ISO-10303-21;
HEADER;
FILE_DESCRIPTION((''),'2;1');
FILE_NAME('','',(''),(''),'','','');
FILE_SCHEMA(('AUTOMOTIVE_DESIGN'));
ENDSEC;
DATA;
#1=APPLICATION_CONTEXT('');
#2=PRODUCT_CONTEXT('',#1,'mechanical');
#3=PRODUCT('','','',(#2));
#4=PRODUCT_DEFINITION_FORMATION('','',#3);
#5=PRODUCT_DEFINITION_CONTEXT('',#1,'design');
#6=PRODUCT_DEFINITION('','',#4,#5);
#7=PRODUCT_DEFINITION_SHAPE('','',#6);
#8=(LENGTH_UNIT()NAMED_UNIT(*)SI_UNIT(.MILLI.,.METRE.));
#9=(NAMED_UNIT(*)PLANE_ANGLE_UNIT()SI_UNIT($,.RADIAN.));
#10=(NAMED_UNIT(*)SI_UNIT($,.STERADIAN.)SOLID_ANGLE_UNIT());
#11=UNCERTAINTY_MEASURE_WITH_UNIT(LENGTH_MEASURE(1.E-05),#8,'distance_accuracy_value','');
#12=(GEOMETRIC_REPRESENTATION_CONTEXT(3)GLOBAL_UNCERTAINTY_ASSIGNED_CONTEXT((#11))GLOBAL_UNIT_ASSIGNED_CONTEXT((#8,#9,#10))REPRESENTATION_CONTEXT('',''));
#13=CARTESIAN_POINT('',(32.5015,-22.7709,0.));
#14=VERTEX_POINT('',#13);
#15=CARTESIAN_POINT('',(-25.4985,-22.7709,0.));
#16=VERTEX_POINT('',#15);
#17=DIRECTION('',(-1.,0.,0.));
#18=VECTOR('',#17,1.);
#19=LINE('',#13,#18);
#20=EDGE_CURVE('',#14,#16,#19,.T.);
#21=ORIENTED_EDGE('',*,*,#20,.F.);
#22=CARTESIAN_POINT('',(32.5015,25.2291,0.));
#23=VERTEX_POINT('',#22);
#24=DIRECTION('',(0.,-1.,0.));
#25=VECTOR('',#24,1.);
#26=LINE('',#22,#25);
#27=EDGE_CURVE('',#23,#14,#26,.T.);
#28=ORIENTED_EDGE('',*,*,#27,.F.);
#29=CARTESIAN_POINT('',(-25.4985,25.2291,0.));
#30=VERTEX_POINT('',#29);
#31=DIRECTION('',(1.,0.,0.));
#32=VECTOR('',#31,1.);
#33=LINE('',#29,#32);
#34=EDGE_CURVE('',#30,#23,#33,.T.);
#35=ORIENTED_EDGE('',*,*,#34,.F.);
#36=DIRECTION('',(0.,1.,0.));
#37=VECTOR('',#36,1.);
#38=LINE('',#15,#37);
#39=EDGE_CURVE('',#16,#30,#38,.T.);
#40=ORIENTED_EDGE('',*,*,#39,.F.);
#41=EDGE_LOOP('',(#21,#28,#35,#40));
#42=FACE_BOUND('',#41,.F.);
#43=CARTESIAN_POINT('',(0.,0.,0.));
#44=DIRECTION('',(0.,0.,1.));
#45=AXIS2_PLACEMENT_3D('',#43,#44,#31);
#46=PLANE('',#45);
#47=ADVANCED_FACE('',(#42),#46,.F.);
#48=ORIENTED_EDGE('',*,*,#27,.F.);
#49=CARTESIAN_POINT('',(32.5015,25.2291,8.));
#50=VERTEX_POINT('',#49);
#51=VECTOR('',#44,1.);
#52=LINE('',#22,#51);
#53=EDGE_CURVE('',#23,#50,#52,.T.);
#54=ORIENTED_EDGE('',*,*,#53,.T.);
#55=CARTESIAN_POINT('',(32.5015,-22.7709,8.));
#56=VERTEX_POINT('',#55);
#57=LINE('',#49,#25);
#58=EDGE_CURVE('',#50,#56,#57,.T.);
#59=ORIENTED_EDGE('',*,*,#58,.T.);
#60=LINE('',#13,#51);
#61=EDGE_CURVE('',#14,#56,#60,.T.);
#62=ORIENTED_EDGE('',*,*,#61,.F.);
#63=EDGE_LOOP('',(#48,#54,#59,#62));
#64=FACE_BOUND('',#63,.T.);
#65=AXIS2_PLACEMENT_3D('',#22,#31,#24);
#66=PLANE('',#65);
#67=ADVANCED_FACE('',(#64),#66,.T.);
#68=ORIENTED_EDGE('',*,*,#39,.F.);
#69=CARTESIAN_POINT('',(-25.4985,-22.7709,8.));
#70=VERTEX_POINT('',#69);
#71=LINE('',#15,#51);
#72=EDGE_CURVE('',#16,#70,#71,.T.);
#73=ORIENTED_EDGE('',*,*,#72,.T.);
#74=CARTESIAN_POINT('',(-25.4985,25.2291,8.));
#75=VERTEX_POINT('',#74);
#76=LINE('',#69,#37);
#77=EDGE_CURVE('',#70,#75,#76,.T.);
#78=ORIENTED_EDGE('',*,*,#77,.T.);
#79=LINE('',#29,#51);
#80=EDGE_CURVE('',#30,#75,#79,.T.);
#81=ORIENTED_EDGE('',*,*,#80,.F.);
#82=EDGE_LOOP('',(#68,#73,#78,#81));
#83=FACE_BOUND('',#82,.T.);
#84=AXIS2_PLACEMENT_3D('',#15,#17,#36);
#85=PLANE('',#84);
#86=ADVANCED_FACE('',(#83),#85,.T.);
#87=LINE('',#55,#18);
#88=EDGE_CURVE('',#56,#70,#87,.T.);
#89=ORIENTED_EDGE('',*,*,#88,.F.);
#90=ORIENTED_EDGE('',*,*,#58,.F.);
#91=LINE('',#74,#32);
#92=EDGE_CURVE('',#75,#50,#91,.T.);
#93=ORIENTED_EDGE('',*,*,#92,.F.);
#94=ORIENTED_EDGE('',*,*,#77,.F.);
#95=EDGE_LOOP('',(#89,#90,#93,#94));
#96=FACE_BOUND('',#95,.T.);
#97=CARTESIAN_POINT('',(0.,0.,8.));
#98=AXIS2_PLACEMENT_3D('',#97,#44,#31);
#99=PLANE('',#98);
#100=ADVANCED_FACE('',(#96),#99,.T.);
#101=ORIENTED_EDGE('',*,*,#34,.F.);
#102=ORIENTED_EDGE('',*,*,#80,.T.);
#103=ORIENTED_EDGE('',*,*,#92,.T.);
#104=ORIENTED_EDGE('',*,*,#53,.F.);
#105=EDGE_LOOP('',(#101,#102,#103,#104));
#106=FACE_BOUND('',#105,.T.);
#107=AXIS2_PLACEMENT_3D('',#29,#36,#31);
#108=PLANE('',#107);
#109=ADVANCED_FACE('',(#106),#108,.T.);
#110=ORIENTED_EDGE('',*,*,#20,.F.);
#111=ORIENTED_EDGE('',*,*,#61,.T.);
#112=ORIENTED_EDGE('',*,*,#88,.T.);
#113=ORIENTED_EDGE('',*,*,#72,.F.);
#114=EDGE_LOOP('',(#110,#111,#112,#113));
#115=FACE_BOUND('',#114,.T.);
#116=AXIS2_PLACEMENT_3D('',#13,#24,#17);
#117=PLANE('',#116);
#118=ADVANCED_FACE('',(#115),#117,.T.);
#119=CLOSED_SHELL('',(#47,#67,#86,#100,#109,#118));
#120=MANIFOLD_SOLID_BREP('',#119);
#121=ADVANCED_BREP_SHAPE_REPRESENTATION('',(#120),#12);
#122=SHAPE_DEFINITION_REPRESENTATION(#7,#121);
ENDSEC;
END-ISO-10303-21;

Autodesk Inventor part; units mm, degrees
ref_plane "YZ Plane" through (0, 0, 0) normal (1, 0, 0) x (0, 1, 0)
ref_plane "XZ Plane" through (0, 0, 0) normal (0, 1, 0) x (-1, 0, 0)
ref_plane "XY Plane" through (0, 0, 0) normal (0, 0, 1) x (1, 0, 0)
sketch "Sketch1" plane through (0, 0, 0) normal (0, 0, 1) x (1, 0, 0)
  line L0 (-25.4985, 25.2291) -> (32.5015, 25.2291)
  line L1 (32.5015, 25.2291) -> (32.5015, -22.7709)
  line L2 (32.5015, -22.7709) -> (-25.4985, -22.7709)
  line L3 (-25.4985, -22.7709) -> (-25.4985, 25.2291)
  point P0 (0, 0)
  dimension "d0" = 58
  dimension "d1" = 48
extrude "Extrusion1" add sketch "Sketch1" along normal blind 8
properties part number "Ball screw nut and apron join"
